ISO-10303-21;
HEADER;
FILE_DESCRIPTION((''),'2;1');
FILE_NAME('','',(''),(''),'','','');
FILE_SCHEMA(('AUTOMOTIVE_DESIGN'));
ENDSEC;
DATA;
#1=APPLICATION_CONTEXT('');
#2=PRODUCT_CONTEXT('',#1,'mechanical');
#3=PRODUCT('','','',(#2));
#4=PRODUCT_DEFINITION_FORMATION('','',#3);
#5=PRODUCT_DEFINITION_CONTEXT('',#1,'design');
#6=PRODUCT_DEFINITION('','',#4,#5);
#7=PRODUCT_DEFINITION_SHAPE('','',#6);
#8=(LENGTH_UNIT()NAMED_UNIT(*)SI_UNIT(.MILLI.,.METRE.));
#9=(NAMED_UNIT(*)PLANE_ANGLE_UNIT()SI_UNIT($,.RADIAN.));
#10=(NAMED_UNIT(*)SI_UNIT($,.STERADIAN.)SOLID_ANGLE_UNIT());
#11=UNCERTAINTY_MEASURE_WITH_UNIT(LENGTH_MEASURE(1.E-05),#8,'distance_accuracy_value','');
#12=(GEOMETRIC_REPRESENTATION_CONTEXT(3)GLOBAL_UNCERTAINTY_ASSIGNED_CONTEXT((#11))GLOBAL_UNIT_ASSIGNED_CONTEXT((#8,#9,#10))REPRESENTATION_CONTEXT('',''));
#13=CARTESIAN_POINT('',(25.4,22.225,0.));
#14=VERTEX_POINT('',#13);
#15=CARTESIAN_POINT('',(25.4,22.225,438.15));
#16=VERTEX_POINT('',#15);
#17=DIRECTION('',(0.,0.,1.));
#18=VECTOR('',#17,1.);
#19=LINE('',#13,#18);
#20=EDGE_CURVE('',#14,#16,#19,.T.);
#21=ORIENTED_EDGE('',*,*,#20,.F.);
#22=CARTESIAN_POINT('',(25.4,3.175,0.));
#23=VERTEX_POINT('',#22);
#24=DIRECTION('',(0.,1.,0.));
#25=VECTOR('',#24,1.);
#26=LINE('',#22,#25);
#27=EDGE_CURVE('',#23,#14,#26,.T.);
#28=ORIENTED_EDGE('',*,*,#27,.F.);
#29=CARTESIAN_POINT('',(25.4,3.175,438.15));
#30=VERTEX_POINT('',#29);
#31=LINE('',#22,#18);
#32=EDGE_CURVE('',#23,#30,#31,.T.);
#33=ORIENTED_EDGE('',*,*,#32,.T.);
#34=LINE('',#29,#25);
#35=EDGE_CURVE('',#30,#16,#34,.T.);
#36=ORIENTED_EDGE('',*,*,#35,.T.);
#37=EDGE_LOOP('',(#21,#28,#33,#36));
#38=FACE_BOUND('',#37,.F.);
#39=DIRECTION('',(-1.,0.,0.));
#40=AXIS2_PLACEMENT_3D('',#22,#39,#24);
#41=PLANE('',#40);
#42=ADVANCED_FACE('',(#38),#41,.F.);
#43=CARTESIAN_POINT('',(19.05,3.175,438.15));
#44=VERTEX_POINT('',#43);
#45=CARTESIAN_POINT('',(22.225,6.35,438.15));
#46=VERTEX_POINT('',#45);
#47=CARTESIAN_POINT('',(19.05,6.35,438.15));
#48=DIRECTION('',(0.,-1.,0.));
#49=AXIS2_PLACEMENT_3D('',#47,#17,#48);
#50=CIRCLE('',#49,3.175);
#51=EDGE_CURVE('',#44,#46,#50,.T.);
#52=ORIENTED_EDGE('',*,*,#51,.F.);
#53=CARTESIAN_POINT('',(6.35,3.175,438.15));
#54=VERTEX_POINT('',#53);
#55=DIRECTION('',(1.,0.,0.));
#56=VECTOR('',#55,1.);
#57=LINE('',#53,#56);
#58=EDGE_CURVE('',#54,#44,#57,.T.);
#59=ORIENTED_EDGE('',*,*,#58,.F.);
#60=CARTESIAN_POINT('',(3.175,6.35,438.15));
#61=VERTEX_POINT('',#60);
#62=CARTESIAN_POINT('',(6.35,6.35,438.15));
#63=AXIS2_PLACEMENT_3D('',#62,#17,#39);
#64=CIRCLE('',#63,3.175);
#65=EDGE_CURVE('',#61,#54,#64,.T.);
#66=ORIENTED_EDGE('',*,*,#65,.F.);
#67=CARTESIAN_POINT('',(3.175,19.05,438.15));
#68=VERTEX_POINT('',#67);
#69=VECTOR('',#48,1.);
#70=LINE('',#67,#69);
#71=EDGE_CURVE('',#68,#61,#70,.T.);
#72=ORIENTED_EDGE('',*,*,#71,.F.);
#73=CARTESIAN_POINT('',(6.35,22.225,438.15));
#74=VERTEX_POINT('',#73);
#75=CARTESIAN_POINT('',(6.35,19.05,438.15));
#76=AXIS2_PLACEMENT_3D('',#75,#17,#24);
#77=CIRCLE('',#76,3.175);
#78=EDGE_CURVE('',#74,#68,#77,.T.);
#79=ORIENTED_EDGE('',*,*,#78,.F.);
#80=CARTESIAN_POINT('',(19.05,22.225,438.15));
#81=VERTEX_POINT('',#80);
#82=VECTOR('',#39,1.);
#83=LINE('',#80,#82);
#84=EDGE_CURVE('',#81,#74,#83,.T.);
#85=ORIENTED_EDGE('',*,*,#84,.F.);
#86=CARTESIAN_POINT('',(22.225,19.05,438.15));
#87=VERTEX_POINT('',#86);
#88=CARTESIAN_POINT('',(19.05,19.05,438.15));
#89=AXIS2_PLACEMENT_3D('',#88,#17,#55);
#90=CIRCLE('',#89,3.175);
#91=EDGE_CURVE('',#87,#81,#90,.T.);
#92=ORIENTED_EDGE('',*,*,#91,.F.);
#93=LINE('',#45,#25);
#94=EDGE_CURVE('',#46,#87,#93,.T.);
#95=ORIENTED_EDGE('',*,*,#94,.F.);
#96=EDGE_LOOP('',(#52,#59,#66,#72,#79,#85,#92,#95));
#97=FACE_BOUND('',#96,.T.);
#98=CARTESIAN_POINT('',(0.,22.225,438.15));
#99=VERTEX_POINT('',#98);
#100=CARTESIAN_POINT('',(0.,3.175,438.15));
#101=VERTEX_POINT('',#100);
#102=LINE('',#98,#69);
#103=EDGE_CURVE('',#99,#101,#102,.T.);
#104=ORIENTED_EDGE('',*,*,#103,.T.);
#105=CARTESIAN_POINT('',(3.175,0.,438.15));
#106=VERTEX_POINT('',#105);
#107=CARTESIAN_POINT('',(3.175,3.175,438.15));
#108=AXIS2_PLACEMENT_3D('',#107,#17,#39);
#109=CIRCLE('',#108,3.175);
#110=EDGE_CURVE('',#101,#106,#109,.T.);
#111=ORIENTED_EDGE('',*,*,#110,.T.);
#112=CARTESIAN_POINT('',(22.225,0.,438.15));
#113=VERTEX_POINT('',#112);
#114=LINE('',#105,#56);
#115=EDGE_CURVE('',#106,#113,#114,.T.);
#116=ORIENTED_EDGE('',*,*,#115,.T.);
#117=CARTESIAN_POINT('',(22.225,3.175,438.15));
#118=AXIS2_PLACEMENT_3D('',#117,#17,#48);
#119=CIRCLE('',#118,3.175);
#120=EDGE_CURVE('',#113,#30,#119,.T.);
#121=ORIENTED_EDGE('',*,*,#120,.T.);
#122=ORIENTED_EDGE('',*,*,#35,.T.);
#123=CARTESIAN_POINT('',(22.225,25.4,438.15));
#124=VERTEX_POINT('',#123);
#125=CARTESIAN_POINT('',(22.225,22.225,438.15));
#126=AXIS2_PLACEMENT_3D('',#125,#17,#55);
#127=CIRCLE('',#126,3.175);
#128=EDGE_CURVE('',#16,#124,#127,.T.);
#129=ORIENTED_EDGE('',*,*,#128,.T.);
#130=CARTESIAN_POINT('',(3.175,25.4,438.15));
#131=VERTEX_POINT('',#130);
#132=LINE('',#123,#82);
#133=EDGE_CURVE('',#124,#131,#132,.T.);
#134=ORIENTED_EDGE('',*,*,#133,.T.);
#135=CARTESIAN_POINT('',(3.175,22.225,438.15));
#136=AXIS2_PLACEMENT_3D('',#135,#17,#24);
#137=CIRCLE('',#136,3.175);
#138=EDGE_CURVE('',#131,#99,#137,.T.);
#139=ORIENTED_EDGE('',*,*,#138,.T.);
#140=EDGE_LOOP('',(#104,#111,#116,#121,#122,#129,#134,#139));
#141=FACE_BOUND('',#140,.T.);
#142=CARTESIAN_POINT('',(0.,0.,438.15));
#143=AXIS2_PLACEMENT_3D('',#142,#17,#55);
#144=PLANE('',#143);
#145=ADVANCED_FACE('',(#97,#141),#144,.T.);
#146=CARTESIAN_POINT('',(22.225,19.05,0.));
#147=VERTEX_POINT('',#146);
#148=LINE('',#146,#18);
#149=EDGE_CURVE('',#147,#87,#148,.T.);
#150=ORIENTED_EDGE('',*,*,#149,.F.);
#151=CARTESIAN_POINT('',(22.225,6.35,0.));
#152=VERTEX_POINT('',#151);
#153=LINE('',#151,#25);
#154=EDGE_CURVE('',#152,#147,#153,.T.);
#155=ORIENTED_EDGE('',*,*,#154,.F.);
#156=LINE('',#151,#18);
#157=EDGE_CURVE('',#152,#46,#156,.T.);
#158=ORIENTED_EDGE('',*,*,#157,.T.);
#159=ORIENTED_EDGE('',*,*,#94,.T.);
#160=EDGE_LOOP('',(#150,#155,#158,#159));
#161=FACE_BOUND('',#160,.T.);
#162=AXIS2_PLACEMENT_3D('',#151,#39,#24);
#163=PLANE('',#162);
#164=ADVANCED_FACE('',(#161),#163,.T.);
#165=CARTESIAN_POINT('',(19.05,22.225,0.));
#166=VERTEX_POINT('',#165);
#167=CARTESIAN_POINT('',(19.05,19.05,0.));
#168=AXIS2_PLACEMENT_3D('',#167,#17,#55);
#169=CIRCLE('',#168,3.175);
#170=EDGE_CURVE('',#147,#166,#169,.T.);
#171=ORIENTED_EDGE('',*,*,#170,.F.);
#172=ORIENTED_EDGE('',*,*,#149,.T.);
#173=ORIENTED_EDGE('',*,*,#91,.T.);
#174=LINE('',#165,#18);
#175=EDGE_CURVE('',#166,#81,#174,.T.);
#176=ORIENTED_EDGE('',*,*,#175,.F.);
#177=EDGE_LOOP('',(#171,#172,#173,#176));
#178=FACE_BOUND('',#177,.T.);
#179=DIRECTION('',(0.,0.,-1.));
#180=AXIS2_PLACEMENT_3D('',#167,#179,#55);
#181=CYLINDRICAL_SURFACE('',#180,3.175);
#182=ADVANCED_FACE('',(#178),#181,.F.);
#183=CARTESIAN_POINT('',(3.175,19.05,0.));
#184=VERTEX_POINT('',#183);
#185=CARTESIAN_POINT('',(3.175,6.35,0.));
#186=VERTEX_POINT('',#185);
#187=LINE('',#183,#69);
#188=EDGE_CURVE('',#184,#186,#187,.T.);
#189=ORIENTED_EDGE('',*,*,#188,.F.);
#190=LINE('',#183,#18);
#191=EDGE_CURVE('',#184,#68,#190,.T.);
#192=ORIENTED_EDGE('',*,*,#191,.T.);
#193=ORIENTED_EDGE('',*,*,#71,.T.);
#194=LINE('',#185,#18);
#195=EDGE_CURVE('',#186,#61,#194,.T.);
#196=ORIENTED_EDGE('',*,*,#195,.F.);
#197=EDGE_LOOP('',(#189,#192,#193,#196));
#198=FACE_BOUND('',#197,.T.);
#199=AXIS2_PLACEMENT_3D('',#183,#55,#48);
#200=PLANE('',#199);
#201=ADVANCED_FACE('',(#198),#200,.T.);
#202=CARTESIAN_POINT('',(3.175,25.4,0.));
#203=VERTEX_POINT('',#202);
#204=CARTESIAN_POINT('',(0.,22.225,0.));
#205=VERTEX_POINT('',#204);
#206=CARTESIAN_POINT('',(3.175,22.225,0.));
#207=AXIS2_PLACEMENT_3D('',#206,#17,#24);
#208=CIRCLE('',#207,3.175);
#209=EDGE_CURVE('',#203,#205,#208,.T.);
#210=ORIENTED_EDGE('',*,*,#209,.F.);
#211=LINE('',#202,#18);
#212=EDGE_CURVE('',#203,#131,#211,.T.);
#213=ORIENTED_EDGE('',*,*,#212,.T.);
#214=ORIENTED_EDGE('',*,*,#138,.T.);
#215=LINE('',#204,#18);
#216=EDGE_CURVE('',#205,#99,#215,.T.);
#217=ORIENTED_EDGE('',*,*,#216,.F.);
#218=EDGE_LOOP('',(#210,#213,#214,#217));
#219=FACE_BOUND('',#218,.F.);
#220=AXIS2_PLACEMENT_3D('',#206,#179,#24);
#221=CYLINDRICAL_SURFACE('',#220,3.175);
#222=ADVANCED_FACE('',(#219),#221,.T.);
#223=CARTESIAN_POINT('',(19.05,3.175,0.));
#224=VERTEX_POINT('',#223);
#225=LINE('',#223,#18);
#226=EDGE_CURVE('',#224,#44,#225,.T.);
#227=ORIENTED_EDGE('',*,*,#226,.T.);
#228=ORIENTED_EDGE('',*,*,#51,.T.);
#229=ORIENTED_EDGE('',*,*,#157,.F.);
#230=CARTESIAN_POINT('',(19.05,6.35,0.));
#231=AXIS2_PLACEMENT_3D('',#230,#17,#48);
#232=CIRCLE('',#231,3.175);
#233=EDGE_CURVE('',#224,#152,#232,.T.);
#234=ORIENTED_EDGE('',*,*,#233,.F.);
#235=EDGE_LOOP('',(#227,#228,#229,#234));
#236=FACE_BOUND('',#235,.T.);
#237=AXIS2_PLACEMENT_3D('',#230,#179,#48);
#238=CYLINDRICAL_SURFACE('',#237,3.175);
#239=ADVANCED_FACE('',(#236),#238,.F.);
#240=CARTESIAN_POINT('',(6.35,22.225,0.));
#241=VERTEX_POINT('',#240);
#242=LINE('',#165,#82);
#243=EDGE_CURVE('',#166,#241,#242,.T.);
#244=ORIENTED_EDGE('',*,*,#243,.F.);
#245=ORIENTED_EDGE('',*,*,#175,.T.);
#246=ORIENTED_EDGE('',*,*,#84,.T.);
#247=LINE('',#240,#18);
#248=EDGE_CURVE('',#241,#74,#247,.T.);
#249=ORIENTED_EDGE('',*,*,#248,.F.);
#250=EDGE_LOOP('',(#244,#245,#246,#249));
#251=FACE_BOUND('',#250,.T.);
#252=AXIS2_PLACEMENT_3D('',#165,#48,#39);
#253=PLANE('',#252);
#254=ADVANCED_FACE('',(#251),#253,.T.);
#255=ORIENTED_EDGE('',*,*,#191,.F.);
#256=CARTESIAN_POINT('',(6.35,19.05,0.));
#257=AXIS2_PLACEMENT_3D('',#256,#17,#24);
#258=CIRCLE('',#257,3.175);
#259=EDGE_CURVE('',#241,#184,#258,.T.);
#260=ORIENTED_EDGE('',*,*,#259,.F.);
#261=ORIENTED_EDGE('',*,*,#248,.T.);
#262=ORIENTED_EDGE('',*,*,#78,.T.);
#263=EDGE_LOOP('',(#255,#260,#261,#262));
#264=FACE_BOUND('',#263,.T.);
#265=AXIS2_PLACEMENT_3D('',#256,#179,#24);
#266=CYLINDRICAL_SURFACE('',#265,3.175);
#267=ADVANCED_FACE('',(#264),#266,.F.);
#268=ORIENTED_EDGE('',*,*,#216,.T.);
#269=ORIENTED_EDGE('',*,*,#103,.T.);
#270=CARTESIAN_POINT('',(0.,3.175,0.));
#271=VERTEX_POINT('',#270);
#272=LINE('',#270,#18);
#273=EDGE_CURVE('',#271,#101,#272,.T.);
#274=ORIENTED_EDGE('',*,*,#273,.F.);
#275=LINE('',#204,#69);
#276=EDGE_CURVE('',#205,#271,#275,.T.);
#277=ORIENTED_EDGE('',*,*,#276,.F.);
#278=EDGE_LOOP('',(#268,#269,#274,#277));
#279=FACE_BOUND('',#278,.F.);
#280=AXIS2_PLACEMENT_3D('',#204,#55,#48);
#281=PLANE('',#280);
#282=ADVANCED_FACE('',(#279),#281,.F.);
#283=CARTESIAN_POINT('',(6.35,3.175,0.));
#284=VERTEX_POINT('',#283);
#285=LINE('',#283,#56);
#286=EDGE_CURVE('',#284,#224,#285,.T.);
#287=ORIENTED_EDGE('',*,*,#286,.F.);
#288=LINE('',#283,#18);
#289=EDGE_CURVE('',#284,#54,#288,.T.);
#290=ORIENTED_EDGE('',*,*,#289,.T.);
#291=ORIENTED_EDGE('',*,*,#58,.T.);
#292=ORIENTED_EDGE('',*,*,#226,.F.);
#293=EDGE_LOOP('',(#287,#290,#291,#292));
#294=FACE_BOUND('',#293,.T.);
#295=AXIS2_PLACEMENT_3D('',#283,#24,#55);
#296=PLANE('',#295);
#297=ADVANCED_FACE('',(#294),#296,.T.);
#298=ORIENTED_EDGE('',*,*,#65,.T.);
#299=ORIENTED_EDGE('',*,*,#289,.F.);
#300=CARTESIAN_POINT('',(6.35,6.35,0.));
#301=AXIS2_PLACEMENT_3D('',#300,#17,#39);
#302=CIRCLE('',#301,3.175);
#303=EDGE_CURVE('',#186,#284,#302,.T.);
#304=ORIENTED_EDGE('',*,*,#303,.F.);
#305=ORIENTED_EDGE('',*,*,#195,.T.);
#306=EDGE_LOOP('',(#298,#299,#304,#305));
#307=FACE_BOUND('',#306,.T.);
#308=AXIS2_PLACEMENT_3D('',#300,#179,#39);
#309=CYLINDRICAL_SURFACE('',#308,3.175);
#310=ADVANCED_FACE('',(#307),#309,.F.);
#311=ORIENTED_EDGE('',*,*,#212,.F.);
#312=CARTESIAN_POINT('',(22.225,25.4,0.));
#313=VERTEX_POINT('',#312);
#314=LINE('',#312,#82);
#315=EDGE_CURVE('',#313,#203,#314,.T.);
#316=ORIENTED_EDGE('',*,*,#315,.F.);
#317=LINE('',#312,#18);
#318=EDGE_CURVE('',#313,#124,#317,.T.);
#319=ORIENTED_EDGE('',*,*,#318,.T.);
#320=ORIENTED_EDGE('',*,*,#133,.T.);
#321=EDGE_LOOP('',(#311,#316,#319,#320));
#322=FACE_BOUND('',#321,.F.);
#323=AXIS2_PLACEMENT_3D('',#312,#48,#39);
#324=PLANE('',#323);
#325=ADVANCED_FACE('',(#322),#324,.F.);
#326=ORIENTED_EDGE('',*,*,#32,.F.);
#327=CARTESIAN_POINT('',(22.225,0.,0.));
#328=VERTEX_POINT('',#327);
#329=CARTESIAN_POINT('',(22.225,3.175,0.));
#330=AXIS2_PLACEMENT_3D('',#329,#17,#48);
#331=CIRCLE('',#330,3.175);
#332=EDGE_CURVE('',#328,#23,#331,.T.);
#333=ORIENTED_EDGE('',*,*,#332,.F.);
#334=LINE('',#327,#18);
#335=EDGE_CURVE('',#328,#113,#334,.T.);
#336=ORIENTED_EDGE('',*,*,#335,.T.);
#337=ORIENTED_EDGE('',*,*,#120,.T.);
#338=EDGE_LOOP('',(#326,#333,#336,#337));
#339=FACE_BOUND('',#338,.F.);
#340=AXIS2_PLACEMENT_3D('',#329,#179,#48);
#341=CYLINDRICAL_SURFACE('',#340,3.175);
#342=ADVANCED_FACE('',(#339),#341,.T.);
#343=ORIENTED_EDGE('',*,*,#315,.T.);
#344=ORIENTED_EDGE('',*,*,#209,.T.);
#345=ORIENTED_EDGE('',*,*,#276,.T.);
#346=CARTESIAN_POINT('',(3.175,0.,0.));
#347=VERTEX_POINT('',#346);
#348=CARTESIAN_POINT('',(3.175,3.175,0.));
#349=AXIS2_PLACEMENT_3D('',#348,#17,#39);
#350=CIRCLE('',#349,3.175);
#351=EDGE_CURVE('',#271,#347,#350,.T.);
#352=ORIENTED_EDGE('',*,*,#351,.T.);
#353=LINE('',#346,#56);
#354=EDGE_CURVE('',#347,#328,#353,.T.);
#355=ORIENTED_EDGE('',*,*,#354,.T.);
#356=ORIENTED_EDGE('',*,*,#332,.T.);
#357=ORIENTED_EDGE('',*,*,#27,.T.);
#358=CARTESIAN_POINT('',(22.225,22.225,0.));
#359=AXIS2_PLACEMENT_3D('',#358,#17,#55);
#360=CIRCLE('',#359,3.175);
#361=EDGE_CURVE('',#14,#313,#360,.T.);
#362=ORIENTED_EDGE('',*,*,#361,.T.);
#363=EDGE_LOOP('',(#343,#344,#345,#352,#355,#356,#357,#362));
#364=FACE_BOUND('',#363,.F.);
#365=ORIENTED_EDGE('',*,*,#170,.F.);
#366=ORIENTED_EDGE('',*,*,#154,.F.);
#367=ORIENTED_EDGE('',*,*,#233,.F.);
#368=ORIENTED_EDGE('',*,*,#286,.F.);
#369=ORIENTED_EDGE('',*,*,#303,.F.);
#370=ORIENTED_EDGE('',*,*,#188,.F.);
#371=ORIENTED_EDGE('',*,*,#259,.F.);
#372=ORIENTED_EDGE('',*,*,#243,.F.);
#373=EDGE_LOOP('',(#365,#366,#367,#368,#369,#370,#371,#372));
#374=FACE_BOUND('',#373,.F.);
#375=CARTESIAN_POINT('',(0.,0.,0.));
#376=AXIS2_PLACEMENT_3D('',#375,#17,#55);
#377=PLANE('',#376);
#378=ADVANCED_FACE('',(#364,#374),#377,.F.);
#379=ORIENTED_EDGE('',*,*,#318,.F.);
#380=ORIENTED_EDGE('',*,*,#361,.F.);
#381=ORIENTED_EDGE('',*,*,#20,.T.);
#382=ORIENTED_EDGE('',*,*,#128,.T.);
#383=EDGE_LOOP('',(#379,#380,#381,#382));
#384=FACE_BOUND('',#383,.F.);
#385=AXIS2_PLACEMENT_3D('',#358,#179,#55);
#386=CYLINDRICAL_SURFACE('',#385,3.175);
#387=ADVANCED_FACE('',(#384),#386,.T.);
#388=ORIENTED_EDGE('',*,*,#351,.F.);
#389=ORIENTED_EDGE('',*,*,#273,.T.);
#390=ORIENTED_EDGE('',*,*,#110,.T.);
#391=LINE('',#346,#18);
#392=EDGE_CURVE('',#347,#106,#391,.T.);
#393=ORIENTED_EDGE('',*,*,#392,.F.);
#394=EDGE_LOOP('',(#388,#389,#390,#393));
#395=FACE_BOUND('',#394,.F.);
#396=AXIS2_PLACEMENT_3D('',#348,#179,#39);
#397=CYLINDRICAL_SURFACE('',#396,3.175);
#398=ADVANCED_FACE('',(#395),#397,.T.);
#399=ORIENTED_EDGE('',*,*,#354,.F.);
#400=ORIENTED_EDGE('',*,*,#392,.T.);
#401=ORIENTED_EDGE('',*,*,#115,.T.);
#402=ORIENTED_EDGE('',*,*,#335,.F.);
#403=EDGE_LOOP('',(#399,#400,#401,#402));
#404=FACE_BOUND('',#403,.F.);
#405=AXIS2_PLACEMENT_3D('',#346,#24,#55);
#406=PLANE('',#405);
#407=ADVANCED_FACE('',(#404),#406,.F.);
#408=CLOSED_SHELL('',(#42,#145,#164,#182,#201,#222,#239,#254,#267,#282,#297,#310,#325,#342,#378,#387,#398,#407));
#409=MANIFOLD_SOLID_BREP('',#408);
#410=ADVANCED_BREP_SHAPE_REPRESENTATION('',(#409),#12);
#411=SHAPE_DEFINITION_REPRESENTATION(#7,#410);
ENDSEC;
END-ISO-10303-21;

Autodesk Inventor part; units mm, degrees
ref_plane "YZ Plane" through (0, 0, 0) normal (1, 0, 0) x (0, 1, 0)
ref_plane "XZ Plane" through (0, 0, 0) normal (0, 1, 0) x (-1, 0, 0)
ref_plane "XY Plane" through (0, 0, 0) normal (0, 0, 1) x (1, 0, 0)
sketch "Sketch1" plane through (0, 0, 0) normal (0, 0, 1) x (1, 0, 0)
  line L0 (3.175, 0) -> (22.225, 0)
  line L1 (25.4, 3.175) -> (25.4, 22.225)
  line L2 (22.225, 25.4) -> (3.175, 25.4)
  line L3 (0, 22.225) -> (0, 3.175)
  arc A0 (3.175, 25.4) -> (0, 22.225) centre (3.175, 22.225) ccw
  arc A1 (25.4, 22.225) -> (22.225, 25.4) centre (22.225, 22.225) ccw
  arc A2 (22.225, 0) -> (25.4, 3.175) centre (22.225, 3.175) ccw
  arc A3 (0, 3.175) -> (3.175, 0) centre (3.175, 3.175) ccw
  line L4 (6.35, 3.175) -> (19.05, 3.175)
  line L5 (22.225, 6.35) -> (22.225, 19.05)
  line L6 (19.05, 22.225) -> (6.35, 22.225)
  line L7 (3.175, 19.05) -> (3.175, 6.35)
  arc A4 (6.35, 22.225) -> (3.175, 19.05) centre (6.35, 19.05) ccw
  arc A5 (19.05, 3.175) -> (22.225, 6.35) centre (19.05, 6.35) ccw
  arc A6 (22.225, 19.05) -> (19.05, 22.225) centre (19.05, 19.05) ccw
  arc A7 (3.175, 6.35) -> (6.35, 3.175) centre (6.35, 6.35) ccw
  point P0 (0, 0)
  point P1 (25.4, 25.4)
  point P2 (25.4, 0)
  point P3 (0, 25.4)
  dimension "d0" = 25.4
  dimension "d1" = 25.4
  dimension "d2" = 3.175
  dimension "d3" = 3.175
extrude "Extrusion1" add sketch "Sketch1" along normal blind 438.15
properties part number "FrontHorizTop"
